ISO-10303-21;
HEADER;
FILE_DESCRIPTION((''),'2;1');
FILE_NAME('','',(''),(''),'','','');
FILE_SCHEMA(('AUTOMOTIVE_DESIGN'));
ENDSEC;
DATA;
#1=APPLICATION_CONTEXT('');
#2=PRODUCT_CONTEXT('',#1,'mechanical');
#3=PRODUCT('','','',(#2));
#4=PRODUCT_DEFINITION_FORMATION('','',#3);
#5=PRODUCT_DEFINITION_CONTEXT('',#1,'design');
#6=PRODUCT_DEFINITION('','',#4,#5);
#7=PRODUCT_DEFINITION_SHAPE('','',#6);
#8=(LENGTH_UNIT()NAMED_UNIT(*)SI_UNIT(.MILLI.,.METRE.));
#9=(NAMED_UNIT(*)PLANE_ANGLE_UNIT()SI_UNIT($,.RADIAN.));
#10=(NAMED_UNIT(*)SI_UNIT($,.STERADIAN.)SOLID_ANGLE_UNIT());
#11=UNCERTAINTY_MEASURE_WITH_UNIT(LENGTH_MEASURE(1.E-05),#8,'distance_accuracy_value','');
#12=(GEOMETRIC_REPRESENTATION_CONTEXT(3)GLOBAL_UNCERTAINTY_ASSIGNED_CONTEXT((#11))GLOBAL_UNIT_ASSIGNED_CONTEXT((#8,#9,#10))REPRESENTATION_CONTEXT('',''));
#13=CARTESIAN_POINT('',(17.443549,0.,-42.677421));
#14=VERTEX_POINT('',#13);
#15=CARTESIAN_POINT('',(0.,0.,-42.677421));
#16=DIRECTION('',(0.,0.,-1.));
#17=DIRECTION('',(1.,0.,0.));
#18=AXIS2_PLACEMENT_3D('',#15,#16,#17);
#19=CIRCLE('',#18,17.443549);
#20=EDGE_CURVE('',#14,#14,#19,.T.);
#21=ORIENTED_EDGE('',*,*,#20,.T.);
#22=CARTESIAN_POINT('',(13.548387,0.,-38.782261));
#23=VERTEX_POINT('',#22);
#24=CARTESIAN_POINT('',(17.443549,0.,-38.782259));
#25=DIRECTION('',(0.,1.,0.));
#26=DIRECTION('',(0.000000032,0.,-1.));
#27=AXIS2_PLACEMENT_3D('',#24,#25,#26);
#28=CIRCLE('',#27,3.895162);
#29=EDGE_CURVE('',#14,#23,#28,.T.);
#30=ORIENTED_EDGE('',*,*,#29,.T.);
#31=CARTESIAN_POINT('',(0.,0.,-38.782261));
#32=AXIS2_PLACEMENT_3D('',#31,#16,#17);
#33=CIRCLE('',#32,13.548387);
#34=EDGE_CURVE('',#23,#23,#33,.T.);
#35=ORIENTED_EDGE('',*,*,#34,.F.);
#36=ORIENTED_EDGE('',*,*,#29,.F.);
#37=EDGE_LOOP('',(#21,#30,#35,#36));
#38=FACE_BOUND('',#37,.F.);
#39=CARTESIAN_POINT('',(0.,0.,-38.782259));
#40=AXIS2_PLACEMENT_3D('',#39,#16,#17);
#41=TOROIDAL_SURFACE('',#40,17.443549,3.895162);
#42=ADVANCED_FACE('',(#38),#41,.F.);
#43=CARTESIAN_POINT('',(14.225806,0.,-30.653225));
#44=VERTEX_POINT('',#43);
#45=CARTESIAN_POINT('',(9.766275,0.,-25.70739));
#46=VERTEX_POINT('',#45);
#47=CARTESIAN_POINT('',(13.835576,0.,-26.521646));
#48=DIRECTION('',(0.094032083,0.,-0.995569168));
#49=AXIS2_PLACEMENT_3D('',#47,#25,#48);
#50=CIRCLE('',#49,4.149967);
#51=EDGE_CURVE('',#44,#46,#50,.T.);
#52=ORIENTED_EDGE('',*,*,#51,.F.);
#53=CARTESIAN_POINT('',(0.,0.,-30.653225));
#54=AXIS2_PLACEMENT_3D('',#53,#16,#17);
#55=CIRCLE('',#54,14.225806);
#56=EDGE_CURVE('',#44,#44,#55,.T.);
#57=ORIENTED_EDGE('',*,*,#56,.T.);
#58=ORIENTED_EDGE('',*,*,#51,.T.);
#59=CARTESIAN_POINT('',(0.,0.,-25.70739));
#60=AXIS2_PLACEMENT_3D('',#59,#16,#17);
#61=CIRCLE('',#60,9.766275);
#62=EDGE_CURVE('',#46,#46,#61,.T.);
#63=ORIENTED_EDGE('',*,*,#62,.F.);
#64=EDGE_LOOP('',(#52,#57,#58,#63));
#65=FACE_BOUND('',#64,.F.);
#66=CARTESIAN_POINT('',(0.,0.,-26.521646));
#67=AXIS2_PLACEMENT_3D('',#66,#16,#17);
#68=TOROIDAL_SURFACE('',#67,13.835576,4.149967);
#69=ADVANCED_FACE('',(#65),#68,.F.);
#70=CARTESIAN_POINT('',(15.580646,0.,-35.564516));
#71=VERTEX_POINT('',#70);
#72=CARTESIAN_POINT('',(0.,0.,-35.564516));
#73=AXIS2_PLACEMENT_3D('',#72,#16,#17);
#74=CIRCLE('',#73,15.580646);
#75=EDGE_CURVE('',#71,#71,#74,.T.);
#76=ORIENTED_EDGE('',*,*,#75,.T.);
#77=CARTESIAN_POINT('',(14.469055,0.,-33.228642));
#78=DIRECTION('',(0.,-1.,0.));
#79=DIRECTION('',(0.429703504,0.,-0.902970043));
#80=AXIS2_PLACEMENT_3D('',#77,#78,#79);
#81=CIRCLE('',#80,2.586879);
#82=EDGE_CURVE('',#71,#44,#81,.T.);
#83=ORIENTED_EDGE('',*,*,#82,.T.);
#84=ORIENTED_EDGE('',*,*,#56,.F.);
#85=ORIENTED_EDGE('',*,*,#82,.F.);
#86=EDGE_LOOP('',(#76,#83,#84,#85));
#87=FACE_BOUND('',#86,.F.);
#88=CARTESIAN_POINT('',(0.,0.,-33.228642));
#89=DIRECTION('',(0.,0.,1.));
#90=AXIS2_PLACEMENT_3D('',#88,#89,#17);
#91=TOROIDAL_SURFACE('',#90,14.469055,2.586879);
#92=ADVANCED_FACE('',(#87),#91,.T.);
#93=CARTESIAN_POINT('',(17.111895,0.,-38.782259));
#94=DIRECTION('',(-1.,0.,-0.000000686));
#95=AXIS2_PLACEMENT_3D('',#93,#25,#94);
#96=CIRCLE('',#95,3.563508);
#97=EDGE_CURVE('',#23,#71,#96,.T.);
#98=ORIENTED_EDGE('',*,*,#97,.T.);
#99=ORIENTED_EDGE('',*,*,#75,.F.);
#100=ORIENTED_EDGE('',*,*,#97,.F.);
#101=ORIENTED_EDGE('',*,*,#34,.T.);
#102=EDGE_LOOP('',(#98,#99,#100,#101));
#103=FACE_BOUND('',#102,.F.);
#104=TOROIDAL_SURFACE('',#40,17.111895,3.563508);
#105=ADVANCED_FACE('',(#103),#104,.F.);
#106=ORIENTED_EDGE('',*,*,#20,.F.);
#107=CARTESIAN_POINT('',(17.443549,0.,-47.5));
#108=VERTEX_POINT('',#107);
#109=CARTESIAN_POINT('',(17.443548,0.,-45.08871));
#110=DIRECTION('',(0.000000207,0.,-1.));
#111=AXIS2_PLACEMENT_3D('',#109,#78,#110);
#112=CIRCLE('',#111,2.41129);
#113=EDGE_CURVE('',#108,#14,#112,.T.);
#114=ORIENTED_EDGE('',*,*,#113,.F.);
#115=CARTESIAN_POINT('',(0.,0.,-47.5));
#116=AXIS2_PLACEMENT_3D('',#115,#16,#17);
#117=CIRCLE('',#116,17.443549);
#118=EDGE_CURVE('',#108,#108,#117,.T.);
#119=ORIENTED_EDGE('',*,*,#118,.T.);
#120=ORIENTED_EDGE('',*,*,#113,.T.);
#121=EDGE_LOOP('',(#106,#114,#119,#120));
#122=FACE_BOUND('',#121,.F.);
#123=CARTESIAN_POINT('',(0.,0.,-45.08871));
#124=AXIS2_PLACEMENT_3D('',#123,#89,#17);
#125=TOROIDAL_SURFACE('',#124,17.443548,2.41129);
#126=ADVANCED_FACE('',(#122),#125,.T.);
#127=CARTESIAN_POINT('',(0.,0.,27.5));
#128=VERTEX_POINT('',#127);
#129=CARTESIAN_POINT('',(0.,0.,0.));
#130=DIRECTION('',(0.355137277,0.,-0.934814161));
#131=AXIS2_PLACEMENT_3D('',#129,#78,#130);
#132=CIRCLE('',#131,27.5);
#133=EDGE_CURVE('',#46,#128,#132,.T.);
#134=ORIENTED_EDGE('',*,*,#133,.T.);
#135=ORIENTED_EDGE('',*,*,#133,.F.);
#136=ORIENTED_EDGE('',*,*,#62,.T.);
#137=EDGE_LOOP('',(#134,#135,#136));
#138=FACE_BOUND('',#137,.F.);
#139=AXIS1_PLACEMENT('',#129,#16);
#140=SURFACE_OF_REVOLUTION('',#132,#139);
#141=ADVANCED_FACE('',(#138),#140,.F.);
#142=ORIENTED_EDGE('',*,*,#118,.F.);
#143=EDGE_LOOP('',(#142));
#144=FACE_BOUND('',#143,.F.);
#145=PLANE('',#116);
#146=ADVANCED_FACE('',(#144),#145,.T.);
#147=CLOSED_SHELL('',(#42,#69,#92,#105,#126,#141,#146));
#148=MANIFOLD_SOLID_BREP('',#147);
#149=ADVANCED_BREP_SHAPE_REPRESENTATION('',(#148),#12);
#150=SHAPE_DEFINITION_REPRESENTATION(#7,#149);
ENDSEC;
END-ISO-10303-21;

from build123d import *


with BuildPart() as f1:
    # F0 (on Front) → F1 (revolve)
    with BuildSketch(Plane.XZ):
        with BuildLine():
            Line((0, 27.5), (0, -27.5))
            ThreePointArc((0, -27.5), (4.964715, -27.048135), (9.766275, -25.70739))
            ThreePointArc((9.766275, -25.70739), (27.048135, 4.964715), (0, 27.5))
        make_face()
        with BuildLine():
            ThreePointArc((9.766275, -25.70739), (4.964715, -27.048135), (0, -27.5))
            Line((0, -27.5), (0, -47.5))
            Line((0, -47.5), (17.443549, -47.5))
            ThreePointArc((17.443549, -47.5), (19.854838, -45.088711), (17.443549, -42.677421))
            ThreePointArc((17.443549, -42.677421), (14.689254, -41.536555), (13.548387, -38.782261))
            ThreePointArc((13.548387, -38.782261), (14.098988, -36.879371), (15.580646, -35.564516))
            ThreePointArc((15.580646, -35.564516), (16.962787, -32.540715), (14.225806, -30.653225))
            ThreePointArc((14.225806, -30.653225), (10.753497, -29.300677), (9.766275, -25.70739))
        make_face()
    revolve(axis=Axis((0, 0, 0), (0, 0, -1)))


solid = f1.part
